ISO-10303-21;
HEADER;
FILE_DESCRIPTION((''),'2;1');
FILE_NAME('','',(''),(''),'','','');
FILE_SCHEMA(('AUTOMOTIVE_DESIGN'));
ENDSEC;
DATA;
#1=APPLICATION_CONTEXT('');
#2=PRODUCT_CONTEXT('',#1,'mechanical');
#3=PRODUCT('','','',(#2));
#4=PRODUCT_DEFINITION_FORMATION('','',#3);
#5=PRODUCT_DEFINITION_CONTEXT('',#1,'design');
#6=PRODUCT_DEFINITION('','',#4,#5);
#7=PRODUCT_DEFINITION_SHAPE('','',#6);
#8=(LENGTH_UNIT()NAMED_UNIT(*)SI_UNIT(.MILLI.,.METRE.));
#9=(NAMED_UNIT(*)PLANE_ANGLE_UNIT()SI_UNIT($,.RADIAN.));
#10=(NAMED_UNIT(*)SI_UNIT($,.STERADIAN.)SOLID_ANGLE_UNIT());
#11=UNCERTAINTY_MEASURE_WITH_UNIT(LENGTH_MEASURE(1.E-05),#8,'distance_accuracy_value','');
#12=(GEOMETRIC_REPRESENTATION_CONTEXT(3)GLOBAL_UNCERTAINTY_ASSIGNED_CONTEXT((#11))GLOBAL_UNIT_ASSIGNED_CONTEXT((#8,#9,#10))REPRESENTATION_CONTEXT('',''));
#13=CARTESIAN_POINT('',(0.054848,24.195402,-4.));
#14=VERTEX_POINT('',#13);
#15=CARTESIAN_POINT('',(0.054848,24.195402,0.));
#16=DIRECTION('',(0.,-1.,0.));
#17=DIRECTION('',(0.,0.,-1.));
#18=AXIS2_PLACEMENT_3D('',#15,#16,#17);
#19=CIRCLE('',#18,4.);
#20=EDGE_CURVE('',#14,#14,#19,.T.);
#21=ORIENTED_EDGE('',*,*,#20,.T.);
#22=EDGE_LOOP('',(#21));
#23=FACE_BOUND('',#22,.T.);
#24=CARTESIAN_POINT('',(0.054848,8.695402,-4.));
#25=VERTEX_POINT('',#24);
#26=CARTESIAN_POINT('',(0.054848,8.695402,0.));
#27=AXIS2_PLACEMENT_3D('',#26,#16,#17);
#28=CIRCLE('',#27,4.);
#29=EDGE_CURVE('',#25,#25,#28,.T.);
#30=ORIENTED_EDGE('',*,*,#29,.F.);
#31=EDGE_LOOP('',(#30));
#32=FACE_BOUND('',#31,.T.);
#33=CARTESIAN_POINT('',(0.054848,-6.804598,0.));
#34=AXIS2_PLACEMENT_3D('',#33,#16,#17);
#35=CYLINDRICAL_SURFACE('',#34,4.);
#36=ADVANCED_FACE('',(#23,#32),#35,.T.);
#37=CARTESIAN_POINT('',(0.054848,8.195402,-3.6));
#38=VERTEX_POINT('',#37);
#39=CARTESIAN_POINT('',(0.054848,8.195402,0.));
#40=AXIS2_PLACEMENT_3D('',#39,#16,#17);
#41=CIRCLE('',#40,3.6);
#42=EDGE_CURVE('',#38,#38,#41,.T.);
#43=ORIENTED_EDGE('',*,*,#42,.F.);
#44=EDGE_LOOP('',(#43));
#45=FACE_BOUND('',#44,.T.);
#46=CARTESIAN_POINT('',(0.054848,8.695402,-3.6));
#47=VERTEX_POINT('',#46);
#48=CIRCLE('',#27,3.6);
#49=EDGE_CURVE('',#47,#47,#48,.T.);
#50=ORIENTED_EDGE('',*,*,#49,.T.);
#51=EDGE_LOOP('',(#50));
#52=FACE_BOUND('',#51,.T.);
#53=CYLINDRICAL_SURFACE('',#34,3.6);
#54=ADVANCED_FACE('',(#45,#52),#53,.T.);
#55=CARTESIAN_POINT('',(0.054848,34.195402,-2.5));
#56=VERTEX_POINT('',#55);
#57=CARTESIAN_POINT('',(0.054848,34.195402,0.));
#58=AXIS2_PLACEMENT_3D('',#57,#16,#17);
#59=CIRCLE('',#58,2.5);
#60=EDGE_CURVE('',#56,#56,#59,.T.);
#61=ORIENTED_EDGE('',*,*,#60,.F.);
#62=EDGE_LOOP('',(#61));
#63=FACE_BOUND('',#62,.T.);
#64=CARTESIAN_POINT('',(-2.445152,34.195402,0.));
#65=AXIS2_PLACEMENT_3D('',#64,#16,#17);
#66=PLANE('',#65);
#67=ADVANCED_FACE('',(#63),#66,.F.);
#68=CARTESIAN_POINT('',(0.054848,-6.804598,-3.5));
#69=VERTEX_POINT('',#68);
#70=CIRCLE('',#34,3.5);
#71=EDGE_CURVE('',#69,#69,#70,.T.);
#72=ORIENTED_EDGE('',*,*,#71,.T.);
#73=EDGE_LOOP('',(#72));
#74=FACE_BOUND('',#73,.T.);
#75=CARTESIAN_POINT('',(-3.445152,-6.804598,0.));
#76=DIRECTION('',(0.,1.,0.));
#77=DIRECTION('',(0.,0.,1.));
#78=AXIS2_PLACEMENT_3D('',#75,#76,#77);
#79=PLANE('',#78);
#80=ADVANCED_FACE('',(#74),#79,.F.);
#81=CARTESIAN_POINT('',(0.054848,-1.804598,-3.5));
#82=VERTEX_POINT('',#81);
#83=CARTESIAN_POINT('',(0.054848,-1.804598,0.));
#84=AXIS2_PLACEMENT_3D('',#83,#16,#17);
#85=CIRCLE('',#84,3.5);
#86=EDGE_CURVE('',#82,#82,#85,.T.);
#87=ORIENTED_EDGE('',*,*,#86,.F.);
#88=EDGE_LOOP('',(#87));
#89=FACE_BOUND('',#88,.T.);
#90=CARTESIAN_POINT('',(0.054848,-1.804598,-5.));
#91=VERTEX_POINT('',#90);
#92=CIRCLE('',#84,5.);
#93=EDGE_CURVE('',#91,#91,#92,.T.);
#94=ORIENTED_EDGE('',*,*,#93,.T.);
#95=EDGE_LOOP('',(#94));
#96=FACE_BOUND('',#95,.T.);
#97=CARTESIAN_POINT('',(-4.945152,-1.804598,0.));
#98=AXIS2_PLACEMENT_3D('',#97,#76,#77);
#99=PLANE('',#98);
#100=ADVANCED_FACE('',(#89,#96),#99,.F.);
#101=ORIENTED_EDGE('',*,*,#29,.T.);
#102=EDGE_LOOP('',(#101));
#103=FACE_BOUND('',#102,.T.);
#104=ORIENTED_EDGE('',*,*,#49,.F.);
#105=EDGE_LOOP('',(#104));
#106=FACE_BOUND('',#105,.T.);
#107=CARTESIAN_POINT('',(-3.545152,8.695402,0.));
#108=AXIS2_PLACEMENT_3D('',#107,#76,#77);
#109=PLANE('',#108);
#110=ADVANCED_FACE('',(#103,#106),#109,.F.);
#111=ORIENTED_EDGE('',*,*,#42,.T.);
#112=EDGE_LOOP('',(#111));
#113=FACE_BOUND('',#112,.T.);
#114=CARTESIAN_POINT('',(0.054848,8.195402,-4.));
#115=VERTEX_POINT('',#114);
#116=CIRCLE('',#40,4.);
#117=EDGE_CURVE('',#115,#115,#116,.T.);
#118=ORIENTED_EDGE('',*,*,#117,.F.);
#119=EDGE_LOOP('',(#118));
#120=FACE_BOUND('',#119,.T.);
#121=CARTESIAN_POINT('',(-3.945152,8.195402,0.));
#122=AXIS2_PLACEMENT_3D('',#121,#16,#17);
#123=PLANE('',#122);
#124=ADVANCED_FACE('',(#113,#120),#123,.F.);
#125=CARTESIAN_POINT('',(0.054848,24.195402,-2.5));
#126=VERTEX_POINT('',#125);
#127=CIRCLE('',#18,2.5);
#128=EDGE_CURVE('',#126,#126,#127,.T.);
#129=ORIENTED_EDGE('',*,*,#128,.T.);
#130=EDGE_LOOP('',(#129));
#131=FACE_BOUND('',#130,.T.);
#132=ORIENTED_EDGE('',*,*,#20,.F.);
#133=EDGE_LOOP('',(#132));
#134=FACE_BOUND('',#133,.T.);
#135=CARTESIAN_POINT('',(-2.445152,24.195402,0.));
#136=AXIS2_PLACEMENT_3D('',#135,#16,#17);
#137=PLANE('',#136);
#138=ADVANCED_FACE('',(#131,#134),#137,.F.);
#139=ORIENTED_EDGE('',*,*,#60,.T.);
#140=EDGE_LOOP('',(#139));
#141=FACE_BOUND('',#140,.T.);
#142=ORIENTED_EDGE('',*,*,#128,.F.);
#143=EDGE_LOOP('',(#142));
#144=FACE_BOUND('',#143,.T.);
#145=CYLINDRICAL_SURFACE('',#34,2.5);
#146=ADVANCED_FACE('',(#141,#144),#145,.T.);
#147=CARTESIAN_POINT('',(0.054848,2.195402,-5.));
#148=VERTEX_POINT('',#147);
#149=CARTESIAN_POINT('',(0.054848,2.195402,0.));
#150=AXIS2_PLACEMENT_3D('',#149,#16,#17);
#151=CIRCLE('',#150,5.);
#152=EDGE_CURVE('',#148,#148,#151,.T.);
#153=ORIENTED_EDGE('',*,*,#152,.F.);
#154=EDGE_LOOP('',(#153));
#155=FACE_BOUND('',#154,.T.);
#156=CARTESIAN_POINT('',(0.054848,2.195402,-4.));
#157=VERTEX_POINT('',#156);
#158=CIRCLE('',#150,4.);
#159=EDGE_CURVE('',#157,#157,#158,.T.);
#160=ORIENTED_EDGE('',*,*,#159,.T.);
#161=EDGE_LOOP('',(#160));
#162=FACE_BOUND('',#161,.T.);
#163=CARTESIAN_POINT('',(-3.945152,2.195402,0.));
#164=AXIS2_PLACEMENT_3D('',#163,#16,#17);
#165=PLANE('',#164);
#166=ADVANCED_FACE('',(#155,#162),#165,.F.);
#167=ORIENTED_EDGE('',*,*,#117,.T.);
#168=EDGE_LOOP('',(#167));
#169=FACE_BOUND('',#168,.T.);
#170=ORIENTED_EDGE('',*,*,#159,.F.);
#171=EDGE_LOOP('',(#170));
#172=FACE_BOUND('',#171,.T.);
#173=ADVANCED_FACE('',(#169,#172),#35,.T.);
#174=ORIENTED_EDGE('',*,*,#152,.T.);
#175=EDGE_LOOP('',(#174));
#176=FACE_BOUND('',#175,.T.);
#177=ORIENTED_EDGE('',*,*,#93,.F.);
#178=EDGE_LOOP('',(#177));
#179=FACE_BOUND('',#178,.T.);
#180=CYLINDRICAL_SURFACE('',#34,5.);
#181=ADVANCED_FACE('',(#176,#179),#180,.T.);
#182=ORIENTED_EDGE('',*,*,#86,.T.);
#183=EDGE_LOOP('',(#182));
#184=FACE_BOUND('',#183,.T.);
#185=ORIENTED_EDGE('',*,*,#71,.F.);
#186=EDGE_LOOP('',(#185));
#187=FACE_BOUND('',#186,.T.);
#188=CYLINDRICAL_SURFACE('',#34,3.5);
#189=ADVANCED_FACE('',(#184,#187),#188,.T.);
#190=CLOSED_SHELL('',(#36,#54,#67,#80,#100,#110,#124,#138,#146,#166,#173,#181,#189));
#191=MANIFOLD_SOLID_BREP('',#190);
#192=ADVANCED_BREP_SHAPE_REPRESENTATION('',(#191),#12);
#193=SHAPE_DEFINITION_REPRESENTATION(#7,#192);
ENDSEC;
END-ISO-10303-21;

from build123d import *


with BuildPart() as part:
    # Sketch2 → Revolve1 (revolve)
    with BuildSketch(Plane.XY):
        Polygon((-2.4451521, 34.195402299), (-2.4451521, 24.195402299), (-3.9451521, 24.195402299), (-3.9451521, 8.695402299), (-3.5451521, 8.695402299), (-3.5451521, 8.195402299), (-3.9451521, 8.195402299), (-3.9451521, 2.195402299), (-4.9451521, 2.195402299), (-4.9451521, -1.804597701), (-3.4451521, -1.804597701), (-3.4451521, -6.804597701), (0.0548479, -6.804597701), (0.0548479, 34.195402299), align=None)
    revolve(axis=Axis((0.0548479, -6.804597701, 0), (0, 1, 0)))


solid = part.part
